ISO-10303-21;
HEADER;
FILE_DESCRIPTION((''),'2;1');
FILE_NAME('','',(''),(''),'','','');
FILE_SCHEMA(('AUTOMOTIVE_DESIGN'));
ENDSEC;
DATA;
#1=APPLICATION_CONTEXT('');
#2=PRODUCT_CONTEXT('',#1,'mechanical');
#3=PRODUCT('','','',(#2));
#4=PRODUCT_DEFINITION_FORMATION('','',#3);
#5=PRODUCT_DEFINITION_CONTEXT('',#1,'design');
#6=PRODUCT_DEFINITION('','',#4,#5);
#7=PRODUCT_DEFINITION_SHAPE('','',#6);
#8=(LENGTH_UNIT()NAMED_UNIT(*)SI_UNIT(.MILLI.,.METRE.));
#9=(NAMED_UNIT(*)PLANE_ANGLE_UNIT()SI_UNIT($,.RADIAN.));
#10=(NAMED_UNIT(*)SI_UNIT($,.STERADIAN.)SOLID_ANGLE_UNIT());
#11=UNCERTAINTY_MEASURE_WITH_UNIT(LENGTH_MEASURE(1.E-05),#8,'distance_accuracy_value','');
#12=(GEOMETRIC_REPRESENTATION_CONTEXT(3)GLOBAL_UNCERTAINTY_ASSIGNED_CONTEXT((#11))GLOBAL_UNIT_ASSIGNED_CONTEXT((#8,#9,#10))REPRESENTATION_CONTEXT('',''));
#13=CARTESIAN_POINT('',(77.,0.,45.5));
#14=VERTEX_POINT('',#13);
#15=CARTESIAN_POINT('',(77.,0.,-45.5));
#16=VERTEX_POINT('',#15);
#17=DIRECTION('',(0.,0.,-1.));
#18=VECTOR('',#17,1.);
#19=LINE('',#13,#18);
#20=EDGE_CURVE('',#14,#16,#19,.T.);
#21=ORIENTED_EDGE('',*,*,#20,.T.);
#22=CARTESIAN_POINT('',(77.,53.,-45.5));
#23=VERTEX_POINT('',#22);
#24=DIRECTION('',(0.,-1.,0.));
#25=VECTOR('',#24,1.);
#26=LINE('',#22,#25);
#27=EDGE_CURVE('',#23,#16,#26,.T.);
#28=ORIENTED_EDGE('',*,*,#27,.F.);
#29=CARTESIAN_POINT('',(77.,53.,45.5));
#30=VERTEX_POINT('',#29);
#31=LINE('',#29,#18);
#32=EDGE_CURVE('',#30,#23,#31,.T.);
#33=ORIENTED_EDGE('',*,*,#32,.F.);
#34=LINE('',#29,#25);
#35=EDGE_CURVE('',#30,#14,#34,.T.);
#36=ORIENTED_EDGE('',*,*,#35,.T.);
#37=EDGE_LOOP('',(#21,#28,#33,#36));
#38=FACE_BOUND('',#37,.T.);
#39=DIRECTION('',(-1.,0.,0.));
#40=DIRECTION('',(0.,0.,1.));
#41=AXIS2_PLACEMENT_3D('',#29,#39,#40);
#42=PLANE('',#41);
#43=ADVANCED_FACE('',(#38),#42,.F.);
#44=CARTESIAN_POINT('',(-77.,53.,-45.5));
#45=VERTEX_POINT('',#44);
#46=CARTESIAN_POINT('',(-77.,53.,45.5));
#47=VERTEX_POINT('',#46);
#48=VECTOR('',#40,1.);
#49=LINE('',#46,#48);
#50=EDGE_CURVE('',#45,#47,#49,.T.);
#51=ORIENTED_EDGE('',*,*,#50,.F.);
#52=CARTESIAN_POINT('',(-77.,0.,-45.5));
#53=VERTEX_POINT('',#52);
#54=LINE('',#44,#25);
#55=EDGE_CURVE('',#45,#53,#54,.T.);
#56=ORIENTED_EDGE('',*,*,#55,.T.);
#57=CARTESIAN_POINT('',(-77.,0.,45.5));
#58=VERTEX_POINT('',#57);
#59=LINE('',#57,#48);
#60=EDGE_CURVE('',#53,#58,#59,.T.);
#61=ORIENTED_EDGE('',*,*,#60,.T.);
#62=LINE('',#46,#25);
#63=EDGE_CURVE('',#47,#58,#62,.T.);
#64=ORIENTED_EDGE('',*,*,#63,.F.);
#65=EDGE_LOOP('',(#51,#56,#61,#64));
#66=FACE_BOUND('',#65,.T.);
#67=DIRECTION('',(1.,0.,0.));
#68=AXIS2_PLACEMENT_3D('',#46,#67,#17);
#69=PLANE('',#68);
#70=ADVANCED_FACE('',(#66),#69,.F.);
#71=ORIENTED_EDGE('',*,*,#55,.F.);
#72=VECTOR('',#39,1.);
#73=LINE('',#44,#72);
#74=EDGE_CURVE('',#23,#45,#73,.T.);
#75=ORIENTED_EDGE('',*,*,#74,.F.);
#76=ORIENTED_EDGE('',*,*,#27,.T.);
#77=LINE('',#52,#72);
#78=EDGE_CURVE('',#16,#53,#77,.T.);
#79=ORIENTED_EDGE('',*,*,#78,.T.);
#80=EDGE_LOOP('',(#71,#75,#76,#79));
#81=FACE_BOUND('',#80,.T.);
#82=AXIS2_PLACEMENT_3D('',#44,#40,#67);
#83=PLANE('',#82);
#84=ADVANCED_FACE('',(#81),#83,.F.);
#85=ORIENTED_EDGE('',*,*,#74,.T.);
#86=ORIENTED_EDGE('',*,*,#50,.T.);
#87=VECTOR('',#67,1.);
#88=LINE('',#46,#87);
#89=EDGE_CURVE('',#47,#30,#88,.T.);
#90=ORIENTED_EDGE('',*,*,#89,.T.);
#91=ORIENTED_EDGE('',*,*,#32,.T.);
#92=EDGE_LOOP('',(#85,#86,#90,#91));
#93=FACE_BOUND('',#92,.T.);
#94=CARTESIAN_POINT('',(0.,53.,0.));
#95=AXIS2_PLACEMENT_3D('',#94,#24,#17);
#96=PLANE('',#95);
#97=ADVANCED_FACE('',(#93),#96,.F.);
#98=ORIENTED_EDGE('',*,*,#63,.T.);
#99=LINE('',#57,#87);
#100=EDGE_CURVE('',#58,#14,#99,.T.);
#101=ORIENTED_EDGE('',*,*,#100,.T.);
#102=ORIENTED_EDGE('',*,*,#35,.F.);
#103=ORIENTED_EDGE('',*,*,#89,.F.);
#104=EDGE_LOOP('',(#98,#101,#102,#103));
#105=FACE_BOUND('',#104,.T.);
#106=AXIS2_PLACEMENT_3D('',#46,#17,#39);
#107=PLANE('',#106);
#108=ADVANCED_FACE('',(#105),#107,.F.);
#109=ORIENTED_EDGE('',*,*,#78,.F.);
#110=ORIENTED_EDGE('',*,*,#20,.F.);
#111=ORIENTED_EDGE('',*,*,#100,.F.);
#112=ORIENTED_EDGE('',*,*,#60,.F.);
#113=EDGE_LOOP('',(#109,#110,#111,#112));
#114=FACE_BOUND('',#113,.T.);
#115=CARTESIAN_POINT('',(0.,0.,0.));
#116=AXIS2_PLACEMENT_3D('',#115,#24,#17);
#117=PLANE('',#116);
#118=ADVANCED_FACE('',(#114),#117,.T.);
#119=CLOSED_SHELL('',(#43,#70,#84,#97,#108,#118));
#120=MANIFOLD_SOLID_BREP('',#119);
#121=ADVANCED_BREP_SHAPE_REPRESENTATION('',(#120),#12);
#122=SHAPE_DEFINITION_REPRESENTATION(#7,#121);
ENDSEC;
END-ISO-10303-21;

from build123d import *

# Parameters (mm, degrees)
SKETCH_1_W      = 154
SKETCH_1_H      = 91
EXTRUDE_1_DEPTH = 53


with BuildPart() as part:
    # 草图1 → 凸台-拉伸1 (new body)
    with BuildSketch(Plane(origin=(0, 0, 0), x_dir=(1, 0, 0), z_dir=(0, 1, 0))):
        Rectangle(SKETCH_1_W, SKETCH_1_H)
    extrude(amount=EXTRUDE_1_DEPTH)


solid = part.part
